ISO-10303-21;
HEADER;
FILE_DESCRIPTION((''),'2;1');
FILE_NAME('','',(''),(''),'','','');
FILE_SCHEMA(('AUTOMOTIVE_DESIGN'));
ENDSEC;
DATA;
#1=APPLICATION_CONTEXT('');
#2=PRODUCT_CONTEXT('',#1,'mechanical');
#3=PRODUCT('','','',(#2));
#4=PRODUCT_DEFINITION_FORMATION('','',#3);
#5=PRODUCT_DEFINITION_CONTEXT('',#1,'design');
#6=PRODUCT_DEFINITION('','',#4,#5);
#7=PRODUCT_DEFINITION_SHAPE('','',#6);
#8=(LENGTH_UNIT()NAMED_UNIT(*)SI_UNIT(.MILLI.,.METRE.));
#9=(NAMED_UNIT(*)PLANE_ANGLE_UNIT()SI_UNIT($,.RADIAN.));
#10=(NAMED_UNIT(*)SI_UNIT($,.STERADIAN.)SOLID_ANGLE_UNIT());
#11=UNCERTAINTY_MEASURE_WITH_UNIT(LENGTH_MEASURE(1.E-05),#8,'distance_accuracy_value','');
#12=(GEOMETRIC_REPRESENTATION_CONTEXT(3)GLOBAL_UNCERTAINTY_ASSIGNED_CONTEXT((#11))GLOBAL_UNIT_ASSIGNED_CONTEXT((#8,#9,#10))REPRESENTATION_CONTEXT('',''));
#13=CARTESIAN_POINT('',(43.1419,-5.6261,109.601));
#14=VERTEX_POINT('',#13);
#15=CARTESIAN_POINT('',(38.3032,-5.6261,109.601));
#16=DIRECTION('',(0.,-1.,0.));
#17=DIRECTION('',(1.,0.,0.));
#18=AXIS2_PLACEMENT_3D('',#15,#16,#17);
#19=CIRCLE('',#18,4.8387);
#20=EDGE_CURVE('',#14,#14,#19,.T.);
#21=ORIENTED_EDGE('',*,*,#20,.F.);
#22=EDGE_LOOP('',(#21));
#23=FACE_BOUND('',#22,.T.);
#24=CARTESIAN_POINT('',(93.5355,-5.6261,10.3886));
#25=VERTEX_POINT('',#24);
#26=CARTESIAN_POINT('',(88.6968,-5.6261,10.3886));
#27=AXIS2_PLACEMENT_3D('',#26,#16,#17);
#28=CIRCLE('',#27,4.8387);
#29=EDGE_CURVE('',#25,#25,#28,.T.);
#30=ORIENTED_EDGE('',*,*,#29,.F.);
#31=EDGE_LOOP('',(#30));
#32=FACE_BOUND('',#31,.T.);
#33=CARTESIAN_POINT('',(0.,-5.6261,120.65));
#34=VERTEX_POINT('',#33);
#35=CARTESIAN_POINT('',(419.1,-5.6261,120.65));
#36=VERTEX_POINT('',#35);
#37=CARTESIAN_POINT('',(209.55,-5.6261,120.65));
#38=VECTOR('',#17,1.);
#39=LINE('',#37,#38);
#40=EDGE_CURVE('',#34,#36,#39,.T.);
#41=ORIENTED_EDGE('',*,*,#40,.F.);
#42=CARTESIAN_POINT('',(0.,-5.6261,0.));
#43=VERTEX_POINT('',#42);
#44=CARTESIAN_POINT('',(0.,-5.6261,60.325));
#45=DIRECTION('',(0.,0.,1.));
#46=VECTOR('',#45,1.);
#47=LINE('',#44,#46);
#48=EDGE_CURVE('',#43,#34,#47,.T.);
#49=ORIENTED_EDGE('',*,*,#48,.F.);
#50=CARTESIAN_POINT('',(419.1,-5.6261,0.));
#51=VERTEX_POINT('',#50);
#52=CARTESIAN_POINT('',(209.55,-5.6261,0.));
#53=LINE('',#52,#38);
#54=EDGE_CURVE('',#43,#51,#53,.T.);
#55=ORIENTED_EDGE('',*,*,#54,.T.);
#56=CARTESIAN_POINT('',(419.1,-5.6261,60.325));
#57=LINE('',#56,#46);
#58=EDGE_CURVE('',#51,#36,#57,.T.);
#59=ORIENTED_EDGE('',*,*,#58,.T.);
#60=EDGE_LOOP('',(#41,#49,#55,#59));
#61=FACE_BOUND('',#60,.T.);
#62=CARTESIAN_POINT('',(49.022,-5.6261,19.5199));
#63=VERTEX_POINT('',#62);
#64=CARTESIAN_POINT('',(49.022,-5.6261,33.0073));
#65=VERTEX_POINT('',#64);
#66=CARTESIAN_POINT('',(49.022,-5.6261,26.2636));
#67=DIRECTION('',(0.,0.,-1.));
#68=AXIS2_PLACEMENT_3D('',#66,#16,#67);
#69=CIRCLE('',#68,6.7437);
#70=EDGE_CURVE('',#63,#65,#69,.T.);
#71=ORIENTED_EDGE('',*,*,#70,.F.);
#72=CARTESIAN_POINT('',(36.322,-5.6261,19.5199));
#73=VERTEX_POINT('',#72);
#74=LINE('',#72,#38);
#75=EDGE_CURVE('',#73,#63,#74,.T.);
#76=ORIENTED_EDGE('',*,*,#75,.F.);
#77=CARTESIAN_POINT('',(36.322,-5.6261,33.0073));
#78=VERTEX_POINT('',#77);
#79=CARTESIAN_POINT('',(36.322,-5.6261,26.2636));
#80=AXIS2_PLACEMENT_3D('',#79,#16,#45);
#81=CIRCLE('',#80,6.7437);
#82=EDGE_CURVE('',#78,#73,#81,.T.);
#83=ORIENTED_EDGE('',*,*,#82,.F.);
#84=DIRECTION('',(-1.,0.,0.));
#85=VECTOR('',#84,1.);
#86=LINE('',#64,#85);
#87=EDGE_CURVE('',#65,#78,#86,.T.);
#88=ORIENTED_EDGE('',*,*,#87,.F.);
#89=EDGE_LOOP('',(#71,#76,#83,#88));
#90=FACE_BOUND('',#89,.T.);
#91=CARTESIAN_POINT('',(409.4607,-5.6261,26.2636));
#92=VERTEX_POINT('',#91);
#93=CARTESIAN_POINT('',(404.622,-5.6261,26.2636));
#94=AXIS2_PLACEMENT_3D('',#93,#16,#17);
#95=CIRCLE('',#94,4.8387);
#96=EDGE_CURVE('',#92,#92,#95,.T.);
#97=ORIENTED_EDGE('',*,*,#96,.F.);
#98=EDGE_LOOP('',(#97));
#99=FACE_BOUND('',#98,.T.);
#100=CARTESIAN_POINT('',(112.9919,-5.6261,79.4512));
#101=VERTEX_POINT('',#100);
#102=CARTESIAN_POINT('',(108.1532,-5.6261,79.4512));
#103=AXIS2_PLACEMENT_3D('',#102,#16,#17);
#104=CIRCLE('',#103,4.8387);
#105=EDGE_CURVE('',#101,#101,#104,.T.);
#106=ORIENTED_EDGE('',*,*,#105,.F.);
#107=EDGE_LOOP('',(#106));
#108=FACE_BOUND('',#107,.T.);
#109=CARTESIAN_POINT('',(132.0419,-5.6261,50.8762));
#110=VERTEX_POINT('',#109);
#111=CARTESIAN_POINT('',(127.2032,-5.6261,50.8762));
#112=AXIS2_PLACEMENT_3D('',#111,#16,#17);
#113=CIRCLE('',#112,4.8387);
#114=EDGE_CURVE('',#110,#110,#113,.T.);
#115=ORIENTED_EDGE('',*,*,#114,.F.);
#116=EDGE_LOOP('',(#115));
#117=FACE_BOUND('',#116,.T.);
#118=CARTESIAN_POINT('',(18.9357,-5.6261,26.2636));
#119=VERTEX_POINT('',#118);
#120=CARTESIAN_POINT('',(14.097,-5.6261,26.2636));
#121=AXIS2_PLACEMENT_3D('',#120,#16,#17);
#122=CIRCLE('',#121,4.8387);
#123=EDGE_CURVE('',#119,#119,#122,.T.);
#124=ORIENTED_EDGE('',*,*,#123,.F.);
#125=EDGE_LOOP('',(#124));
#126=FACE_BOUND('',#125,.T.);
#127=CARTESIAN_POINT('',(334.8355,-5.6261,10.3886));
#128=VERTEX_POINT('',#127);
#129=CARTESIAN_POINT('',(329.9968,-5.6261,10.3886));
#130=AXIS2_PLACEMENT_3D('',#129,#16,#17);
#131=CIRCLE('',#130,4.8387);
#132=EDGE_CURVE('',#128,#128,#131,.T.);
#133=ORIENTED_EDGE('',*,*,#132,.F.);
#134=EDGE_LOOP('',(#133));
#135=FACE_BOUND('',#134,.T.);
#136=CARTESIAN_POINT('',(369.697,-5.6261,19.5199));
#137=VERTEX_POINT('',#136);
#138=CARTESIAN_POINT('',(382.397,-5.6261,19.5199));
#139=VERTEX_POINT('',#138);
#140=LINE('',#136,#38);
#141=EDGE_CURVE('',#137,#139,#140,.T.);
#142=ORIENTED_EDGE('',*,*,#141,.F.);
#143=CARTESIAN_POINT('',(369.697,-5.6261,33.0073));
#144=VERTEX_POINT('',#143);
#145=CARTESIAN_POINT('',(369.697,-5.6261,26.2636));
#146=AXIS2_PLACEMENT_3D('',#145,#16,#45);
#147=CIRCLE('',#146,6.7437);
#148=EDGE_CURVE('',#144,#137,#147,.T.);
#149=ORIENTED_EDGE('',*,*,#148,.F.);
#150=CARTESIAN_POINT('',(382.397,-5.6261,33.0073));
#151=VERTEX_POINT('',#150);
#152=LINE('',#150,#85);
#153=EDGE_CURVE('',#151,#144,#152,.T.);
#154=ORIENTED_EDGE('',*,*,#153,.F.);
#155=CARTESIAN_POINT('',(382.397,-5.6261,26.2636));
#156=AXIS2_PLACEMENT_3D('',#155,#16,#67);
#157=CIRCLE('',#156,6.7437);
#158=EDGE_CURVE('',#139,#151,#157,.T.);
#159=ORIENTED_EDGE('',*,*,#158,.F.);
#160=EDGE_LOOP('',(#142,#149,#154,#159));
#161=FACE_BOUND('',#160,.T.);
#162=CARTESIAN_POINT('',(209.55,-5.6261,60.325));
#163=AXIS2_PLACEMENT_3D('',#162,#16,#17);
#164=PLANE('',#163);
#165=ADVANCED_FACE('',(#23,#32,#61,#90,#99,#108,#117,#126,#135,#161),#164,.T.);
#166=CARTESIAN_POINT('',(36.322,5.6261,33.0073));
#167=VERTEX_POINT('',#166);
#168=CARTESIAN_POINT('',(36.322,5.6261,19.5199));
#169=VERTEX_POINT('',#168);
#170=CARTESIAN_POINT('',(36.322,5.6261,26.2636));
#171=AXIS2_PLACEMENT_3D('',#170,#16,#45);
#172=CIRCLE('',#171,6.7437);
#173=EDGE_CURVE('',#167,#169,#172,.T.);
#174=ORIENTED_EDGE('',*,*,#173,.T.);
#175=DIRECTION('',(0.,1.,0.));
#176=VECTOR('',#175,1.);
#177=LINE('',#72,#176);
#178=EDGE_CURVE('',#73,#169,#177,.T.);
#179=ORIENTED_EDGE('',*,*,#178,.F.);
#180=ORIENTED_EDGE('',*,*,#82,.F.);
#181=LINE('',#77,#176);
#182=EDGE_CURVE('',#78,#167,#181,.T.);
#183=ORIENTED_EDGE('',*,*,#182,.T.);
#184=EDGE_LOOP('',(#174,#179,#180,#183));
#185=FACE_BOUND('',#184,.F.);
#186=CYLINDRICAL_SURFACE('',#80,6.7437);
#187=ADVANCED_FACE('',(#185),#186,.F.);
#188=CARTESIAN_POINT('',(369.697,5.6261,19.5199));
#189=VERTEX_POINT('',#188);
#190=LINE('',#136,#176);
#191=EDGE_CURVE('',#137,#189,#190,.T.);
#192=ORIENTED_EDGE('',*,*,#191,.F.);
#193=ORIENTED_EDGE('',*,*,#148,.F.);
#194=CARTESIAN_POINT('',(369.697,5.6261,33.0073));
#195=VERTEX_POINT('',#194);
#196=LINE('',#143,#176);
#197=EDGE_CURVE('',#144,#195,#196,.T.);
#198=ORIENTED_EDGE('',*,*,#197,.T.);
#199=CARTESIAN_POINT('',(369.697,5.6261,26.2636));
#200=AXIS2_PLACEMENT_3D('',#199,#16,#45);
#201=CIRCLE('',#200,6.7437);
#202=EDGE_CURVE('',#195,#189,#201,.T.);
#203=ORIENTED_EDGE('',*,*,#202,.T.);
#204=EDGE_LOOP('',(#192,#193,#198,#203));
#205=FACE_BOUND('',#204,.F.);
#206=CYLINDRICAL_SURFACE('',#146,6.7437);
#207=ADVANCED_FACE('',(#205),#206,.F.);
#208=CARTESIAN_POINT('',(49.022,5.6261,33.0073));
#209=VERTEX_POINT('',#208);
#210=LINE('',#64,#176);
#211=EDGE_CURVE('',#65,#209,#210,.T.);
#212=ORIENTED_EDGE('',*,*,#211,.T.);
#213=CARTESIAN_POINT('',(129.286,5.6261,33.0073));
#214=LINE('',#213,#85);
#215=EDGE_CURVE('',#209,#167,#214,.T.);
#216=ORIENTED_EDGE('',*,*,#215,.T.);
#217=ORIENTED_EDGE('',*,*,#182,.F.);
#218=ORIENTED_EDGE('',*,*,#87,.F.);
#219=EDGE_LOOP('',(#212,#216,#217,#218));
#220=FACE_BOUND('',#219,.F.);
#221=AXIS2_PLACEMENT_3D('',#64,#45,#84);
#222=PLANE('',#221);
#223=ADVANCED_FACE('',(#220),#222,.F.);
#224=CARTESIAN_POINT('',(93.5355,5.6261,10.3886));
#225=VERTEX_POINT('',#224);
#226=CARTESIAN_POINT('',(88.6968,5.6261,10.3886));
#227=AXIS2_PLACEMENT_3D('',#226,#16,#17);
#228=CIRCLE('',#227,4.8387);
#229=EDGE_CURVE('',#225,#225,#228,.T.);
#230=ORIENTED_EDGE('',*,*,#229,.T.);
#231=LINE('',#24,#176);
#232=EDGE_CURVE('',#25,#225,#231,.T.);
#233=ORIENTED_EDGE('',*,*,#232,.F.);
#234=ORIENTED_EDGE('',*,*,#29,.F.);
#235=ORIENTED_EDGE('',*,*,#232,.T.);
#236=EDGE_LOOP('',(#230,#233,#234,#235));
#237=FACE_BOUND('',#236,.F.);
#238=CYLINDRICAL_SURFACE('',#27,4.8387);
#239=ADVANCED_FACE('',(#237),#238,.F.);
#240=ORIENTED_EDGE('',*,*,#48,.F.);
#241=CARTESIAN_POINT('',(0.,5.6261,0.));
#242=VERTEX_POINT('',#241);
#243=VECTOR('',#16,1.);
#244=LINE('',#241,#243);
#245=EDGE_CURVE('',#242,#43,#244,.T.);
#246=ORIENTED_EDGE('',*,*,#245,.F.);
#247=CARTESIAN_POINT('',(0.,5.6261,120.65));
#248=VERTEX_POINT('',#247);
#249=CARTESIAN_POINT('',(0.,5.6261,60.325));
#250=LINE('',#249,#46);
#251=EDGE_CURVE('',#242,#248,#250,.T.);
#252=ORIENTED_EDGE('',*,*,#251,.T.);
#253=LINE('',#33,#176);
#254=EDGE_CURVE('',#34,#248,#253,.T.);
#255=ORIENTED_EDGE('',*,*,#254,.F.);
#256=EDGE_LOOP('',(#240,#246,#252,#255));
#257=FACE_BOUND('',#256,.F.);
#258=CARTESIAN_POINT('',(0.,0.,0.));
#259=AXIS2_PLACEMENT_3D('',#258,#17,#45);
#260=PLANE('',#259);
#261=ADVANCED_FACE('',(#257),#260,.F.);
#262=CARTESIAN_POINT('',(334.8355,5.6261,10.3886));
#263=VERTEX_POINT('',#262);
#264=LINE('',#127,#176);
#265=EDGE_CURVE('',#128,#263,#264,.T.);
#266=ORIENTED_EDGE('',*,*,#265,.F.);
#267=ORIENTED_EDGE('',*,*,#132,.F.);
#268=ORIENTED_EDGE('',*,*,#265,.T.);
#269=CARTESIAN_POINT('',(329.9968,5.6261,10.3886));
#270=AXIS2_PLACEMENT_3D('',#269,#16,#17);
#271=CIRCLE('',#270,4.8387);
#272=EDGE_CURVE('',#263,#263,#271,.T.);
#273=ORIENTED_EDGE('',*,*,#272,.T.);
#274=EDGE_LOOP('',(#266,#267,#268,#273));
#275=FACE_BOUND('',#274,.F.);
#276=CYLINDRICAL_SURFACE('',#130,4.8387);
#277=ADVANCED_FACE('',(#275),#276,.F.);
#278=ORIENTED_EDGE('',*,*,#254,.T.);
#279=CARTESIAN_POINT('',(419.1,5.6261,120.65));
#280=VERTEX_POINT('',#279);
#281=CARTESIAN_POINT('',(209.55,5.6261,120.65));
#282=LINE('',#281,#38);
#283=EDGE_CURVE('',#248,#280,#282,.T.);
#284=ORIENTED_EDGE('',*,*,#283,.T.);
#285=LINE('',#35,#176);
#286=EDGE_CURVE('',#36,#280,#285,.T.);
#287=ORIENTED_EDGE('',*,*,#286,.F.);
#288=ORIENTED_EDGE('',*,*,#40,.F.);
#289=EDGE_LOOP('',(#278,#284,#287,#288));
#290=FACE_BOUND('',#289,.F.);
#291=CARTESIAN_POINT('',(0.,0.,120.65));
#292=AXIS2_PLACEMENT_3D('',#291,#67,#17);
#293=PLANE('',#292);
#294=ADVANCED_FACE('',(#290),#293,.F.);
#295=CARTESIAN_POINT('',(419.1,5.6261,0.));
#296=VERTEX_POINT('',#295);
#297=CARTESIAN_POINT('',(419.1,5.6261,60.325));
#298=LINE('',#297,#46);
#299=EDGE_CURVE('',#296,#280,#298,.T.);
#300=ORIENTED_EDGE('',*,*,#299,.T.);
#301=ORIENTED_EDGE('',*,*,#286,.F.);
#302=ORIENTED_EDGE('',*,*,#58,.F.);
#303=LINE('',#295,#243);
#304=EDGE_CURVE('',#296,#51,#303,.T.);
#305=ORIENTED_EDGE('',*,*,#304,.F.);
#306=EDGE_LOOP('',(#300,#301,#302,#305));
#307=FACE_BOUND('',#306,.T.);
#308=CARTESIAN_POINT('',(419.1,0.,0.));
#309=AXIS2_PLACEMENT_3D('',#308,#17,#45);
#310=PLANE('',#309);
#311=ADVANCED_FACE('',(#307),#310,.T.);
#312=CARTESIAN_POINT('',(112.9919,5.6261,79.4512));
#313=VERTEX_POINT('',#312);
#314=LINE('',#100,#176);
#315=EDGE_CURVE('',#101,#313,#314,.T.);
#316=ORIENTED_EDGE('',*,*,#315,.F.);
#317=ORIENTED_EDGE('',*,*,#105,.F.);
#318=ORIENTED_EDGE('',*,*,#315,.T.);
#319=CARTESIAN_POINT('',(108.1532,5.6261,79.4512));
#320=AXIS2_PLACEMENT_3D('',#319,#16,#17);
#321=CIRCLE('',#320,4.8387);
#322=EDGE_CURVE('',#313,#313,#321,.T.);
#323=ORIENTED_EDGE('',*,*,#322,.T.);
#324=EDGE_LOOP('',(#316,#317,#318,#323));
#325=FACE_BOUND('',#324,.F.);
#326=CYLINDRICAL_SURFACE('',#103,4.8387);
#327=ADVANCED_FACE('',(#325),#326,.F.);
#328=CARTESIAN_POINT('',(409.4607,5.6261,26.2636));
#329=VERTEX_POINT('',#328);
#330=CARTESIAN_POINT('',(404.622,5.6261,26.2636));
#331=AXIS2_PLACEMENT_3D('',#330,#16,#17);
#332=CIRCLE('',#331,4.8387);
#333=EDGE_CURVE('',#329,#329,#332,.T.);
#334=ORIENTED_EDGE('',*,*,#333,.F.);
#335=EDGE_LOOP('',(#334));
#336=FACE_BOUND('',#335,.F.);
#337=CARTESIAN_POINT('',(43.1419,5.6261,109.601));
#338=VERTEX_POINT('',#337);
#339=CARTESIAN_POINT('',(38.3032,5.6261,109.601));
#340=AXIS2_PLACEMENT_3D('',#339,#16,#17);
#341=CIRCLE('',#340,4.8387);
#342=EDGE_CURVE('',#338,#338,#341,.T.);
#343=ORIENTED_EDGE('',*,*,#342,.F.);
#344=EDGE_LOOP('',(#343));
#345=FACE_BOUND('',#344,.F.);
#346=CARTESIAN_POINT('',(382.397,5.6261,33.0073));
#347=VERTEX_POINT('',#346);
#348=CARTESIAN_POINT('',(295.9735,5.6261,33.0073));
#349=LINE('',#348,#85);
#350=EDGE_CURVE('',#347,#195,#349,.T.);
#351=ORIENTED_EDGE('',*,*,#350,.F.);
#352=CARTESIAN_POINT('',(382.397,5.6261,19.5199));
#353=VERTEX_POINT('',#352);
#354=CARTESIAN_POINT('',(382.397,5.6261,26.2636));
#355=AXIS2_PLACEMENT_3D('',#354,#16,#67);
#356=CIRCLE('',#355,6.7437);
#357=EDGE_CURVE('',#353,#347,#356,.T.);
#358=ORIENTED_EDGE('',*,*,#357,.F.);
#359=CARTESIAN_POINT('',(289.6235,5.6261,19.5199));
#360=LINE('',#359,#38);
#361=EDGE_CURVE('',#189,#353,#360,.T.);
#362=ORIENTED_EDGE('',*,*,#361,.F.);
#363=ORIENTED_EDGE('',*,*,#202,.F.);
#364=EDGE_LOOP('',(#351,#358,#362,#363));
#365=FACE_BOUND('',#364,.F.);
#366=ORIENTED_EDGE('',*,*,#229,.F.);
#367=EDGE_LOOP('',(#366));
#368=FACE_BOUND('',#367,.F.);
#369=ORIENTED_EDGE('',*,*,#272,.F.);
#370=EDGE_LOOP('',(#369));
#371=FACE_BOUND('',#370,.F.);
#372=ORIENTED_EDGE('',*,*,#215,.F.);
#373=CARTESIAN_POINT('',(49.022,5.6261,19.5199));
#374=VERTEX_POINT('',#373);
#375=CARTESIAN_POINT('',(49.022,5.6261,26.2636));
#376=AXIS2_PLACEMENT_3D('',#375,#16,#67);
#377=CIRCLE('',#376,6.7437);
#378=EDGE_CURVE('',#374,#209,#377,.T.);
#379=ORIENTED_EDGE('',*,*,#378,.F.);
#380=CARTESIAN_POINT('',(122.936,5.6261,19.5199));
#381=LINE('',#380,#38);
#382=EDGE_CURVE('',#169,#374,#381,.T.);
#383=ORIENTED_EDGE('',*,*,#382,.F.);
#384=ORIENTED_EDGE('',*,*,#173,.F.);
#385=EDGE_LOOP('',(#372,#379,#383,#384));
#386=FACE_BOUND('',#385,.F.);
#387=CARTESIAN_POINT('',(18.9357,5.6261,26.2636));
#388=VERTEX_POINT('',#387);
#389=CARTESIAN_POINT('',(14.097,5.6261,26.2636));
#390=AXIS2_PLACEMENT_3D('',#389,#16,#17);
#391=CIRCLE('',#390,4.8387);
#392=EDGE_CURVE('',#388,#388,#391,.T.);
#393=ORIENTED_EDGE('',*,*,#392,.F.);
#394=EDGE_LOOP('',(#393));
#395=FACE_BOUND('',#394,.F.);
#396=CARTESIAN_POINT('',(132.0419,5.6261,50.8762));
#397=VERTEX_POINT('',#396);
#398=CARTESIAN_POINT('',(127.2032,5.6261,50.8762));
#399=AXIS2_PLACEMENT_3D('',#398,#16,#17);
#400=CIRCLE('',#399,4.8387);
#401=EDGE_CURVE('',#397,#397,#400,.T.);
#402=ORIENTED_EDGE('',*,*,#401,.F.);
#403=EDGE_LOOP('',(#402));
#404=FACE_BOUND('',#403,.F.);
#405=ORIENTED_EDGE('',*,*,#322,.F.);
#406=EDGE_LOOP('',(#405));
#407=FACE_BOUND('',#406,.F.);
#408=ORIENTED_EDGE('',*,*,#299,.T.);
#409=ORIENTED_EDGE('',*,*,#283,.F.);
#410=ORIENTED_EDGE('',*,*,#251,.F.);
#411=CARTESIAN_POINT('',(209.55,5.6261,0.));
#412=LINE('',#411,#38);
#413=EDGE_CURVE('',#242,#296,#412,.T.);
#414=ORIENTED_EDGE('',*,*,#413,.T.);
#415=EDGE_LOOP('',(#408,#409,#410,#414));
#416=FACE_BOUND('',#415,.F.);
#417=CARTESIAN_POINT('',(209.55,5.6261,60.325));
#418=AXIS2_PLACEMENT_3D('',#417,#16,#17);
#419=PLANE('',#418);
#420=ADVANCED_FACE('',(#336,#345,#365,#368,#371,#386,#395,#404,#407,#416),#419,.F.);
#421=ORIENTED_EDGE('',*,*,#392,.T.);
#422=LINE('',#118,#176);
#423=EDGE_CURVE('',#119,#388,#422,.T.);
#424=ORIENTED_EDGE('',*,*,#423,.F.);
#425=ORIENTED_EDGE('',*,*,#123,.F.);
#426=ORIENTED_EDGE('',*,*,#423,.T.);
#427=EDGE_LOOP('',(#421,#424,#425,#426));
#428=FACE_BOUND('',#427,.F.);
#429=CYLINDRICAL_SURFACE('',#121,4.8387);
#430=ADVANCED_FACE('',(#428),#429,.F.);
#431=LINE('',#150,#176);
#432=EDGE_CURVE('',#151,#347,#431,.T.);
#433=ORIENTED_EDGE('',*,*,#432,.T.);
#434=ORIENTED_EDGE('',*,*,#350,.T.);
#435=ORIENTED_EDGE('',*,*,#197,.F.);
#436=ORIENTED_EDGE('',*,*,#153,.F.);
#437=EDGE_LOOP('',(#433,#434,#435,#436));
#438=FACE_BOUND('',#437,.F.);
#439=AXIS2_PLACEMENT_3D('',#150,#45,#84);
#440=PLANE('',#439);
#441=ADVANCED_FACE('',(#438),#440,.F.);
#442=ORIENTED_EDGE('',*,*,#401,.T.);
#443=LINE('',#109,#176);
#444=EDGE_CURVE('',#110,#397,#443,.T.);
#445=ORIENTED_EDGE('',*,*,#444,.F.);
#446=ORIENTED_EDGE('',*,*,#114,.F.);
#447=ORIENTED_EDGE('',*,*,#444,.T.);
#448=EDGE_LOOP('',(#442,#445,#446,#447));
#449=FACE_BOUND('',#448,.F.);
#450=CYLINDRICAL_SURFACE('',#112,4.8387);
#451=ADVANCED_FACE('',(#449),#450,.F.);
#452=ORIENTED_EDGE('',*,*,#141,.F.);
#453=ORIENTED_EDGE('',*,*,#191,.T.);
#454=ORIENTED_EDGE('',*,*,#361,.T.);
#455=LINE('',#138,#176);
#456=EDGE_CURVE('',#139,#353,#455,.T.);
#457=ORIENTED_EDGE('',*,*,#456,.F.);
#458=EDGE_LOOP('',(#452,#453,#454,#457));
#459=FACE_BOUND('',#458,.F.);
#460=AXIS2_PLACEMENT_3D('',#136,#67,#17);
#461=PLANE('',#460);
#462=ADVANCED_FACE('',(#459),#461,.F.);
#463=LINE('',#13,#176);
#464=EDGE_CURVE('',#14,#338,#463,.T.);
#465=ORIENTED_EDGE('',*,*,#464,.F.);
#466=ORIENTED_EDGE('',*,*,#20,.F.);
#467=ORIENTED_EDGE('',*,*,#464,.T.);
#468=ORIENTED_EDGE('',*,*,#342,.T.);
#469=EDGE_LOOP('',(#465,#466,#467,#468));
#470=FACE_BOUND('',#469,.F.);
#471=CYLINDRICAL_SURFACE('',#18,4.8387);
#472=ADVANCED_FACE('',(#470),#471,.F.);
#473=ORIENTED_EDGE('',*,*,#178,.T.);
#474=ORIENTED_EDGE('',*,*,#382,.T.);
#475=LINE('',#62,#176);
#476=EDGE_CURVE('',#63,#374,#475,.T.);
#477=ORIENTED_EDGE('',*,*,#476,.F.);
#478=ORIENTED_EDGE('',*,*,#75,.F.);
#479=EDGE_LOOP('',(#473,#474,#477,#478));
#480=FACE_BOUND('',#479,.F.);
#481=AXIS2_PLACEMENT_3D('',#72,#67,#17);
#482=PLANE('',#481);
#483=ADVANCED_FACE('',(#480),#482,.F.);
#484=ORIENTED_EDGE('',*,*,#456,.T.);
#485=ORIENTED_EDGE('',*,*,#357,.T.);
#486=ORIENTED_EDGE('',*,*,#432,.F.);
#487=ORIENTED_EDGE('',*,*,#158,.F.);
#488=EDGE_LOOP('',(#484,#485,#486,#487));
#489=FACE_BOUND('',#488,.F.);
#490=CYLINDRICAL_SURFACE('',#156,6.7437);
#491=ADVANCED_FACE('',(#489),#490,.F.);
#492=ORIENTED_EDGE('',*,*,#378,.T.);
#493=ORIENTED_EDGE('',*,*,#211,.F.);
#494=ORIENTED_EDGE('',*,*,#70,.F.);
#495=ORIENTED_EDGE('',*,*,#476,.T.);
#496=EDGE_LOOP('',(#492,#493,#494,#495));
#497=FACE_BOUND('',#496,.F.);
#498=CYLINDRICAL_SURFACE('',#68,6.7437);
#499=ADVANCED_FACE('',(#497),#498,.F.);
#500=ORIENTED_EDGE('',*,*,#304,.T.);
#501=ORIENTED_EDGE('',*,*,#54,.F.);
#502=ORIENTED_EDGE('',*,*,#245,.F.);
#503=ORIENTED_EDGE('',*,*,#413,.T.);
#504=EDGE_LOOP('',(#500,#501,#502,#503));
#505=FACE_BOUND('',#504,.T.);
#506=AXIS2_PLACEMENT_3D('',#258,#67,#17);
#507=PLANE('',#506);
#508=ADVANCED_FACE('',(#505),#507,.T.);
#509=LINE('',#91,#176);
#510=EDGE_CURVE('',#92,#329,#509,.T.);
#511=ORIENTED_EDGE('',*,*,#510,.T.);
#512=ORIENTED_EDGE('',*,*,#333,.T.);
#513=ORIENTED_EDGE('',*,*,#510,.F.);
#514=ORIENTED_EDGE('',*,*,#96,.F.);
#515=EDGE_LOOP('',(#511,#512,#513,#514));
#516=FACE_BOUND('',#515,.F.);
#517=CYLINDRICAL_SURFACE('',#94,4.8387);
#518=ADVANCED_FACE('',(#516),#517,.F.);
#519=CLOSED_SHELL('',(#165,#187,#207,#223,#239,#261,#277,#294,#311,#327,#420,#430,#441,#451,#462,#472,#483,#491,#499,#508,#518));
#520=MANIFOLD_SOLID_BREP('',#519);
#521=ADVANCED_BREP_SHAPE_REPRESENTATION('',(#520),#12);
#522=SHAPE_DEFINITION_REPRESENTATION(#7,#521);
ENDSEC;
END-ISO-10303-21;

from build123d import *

# Parameters (mm, degrees)
F0_W     = 419.1
F0_H     = 120.65
F1_DEPTH = 5.6261
F2_R     = 4.8387
F3_DEPTH = 11.2532
F5_DEPTH = 11.2532


with BuildPart() as f1:
    # F0 (on Front) → F1 (new body, symmetric)
    with BuildSketch(Plane.XZ):
        with Locations((209.55, 60.325)):
            Rectangle(F0_W, F0_H)
    extrude(amount=F1_DEPTH, both=True)

    # F2 (on face) → F3 (cut, through all)
    with BuildSketch(Plane.XZ.offset(5.6261)):
        with Locations((14.097, 26.2636)):
            Circle(F2_R)
        with Locations((38.3032, 109.601)):
            Circle(F2_R)
        with Locations((108.1532, 79.4512)):
            Circle(F2_R)
        with Locations((329.9968, 10.3886)):
            Circle(F2_R)
        with Locations((88.6968, 10.3886)):
            Circle(F2_R)
        with Locations((127.2032, 50.8762)):
            Circle(F2_R)
        with Locations((404.622, 26.2636)):
            Circle(F2_R)
    extrude(amount=-F3_DEPTH, mode=Mode.SUBTRACT)

    # F4 (on face) → F5 (cut, through all)
    with BuildSketch(Plane.XZ.offset(5.6261)):
        with BuildLine():
            Line((49.022, 33.0073), (36.322, 33.0073))
            ThreePointArc((36.322, 33.0073), (29.5783, 26.2636), (36.322, 19.5199))
            Line((36.322, 19.5199), (49.022, 19.5199))
            ThreePointArc((49.022, 19.5199), (55.7657, 26.2636), (49.022, 33.0073))
        make_face()
        with BuildLine():
            Line((382.397, 33.0073), (369.697, 33.0073))
            ThreePointArc((369.697, 33.0073), (362.9533, 26.2636), (369.697, 19.5199))
            Line((369.697, 19.5199), (382.397, 19.5199))
            ThreePointArc((382.397, 19.5199), (389.1407, 26.2636), (382.397, 33.0073))
        make_face()
    extrude(amount=-F5_DEPTH, mode=Mode.SUBTRACT)


solid = f1.part
